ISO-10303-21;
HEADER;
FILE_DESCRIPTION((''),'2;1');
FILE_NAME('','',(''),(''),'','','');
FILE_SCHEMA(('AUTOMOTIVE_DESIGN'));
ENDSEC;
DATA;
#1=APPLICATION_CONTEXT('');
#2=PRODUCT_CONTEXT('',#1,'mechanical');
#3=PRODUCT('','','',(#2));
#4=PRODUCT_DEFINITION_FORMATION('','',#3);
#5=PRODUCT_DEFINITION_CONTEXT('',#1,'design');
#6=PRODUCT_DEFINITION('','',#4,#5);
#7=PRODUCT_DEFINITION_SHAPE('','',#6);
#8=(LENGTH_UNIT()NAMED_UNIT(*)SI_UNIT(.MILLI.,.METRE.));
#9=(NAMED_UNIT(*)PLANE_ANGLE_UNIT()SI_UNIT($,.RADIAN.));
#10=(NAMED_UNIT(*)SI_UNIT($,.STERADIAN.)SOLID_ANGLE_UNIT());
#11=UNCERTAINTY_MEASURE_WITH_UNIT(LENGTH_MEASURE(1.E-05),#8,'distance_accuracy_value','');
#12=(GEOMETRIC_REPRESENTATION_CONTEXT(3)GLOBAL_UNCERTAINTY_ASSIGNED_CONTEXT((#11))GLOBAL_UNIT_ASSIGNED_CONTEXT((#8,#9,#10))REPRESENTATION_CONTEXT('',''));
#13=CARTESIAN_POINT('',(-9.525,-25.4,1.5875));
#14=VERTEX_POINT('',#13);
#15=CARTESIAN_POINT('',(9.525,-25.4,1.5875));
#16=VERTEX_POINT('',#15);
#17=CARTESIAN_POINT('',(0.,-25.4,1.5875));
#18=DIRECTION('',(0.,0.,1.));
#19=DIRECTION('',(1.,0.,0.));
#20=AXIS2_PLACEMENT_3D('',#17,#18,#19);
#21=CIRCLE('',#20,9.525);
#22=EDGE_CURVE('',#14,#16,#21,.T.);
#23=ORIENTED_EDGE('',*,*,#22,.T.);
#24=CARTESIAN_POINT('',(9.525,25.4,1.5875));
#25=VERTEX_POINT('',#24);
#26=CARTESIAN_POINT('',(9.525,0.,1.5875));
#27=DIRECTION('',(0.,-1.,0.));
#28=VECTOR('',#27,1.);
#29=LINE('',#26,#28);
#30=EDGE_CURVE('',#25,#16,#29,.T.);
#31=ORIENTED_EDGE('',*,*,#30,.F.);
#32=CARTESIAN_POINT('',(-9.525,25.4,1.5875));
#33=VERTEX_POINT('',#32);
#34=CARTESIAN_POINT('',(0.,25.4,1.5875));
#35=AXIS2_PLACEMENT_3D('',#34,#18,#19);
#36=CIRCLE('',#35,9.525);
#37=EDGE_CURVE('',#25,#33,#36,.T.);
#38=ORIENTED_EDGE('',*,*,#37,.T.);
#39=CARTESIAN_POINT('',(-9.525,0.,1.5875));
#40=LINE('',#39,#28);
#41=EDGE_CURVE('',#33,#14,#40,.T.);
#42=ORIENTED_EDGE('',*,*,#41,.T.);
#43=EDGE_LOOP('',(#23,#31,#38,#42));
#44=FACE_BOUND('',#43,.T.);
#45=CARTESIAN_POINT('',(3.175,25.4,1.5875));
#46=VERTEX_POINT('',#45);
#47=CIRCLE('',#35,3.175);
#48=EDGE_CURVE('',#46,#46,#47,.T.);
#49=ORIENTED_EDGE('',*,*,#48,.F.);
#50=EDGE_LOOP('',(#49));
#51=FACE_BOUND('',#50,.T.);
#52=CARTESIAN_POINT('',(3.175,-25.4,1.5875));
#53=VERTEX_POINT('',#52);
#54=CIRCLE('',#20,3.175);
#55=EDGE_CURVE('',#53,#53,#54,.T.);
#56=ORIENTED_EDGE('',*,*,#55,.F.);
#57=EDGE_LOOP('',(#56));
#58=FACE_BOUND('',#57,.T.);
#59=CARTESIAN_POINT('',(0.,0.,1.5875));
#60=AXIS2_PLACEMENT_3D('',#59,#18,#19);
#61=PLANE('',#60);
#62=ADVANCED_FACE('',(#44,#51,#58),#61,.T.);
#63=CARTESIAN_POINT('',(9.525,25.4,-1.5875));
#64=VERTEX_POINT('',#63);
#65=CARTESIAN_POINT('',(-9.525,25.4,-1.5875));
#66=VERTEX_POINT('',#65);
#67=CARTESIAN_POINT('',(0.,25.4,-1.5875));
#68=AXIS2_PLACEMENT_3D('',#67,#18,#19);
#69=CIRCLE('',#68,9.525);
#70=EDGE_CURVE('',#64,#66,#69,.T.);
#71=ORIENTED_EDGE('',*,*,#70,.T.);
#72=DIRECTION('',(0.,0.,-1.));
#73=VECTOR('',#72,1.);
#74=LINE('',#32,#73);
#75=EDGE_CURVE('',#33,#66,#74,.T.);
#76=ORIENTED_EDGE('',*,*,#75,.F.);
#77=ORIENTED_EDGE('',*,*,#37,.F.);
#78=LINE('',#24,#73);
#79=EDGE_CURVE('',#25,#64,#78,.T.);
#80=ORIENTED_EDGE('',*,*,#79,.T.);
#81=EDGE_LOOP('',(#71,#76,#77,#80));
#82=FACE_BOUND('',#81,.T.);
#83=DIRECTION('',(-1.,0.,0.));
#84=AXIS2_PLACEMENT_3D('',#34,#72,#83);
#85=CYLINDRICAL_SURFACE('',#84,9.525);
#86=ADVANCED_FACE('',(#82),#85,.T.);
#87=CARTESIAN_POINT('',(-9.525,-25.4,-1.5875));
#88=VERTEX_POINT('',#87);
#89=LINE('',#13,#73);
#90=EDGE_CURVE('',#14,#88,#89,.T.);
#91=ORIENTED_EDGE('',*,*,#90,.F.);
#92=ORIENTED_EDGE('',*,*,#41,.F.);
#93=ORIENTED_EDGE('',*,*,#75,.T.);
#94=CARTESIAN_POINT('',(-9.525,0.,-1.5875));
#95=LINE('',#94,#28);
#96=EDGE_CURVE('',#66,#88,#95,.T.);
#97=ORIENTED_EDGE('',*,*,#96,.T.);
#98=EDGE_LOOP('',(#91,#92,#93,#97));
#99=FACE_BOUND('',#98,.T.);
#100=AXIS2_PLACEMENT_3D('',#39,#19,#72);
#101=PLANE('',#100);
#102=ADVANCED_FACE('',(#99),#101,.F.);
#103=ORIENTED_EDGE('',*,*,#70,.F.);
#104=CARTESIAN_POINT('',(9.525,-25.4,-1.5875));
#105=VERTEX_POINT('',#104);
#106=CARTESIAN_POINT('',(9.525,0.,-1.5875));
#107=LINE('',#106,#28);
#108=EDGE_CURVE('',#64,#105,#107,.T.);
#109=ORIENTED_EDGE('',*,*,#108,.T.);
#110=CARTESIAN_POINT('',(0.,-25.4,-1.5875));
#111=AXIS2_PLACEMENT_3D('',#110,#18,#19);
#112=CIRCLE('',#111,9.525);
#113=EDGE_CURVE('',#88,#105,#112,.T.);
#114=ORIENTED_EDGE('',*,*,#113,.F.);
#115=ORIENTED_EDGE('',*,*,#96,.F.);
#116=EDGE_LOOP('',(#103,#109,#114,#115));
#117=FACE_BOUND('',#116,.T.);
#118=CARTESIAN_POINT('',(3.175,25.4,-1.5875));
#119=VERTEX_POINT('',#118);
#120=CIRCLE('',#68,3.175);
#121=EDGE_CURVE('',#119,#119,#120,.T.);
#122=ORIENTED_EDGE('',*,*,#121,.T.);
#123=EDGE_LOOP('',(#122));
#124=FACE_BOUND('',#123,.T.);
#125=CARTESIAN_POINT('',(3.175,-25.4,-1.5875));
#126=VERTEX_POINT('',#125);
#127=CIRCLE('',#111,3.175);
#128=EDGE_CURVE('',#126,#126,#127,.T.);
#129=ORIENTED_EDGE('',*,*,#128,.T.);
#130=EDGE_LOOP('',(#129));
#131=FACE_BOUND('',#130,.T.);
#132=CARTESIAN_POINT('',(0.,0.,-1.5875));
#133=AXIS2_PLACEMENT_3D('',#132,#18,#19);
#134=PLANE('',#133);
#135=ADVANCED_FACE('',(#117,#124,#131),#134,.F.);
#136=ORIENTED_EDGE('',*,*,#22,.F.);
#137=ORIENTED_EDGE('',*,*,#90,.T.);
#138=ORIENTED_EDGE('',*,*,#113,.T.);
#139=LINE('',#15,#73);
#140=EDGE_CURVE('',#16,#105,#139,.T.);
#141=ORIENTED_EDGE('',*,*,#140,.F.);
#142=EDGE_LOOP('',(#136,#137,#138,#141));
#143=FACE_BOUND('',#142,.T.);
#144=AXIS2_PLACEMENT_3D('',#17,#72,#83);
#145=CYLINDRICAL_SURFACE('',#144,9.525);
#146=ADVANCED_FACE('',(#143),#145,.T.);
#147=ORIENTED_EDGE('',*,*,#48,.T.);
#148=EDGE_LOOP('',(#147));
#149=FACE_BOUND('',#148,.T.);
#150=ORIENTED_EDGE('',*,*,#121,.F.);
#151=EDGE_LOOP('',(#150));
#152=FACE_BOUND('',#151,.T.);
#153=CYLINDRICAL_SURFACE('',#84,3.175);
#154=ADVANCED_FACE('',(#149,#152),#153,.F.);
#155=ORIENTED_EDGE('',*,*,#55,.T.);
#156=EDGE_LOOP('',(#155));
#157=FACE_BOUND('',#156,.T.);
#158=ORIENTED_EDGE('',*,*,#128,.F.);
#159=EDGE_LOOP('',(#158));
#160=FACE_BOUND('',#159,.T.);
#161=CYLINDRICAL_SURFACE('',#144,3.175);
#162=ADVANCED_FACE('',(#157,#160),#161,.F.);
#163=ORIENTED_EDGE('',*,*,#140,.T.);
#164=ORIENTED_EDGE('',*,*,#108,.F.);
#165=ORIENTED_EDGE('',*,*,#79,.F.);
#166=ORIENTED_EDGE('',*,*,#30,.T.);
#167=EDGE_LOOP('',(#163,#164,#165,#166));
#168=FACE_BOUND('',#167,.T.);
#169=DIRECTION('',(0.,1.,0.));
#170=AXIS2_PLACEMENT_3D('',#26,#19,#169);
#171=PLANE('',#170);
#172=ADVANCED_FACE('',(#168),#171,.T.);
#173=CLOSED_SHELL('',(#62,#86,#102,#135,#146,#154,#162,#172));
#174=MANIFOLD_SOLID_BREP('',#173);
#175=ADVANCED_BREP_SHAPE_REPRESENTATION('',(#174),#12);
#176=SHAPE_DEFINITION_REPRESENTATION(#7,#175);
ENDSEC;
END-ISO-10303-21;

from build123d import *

# Parameters (mm, degrees)
SKETCH2_R           = 3.175
BOSS_EXTRUDE1_DEPTH = 1.5875


with BuildPart() as part:
    # Sketch2 → Boss-Extrude1 (new body, symmetric)
    with BuildSketch(Plane.XY):
        with BuildLine():
            Line((-9.525, 25.4), (-9.525, -25.4))
            ThreePointArc((-9.525, -25.4), (0, -34.925), (9.525, -25.4))
            Line((9.525, -25.4), (9.525, 25.4))
            ThreePointArc((9.525, 25.4), (0, 34.925), (-9.525, 25.4))
        make_face()
        with Locations((0, 25.4)):
            Circle(SKETCH2_R, mode=Mode.SUBTRACT)
        with Locations((0, -25.4)):
            Circle(SKETCH2_R, mode=Mode.SUBTRACT)
    extrude(amount=BOSS_EXTRUDE1_DEPTH, both=True)


solid = part.part
